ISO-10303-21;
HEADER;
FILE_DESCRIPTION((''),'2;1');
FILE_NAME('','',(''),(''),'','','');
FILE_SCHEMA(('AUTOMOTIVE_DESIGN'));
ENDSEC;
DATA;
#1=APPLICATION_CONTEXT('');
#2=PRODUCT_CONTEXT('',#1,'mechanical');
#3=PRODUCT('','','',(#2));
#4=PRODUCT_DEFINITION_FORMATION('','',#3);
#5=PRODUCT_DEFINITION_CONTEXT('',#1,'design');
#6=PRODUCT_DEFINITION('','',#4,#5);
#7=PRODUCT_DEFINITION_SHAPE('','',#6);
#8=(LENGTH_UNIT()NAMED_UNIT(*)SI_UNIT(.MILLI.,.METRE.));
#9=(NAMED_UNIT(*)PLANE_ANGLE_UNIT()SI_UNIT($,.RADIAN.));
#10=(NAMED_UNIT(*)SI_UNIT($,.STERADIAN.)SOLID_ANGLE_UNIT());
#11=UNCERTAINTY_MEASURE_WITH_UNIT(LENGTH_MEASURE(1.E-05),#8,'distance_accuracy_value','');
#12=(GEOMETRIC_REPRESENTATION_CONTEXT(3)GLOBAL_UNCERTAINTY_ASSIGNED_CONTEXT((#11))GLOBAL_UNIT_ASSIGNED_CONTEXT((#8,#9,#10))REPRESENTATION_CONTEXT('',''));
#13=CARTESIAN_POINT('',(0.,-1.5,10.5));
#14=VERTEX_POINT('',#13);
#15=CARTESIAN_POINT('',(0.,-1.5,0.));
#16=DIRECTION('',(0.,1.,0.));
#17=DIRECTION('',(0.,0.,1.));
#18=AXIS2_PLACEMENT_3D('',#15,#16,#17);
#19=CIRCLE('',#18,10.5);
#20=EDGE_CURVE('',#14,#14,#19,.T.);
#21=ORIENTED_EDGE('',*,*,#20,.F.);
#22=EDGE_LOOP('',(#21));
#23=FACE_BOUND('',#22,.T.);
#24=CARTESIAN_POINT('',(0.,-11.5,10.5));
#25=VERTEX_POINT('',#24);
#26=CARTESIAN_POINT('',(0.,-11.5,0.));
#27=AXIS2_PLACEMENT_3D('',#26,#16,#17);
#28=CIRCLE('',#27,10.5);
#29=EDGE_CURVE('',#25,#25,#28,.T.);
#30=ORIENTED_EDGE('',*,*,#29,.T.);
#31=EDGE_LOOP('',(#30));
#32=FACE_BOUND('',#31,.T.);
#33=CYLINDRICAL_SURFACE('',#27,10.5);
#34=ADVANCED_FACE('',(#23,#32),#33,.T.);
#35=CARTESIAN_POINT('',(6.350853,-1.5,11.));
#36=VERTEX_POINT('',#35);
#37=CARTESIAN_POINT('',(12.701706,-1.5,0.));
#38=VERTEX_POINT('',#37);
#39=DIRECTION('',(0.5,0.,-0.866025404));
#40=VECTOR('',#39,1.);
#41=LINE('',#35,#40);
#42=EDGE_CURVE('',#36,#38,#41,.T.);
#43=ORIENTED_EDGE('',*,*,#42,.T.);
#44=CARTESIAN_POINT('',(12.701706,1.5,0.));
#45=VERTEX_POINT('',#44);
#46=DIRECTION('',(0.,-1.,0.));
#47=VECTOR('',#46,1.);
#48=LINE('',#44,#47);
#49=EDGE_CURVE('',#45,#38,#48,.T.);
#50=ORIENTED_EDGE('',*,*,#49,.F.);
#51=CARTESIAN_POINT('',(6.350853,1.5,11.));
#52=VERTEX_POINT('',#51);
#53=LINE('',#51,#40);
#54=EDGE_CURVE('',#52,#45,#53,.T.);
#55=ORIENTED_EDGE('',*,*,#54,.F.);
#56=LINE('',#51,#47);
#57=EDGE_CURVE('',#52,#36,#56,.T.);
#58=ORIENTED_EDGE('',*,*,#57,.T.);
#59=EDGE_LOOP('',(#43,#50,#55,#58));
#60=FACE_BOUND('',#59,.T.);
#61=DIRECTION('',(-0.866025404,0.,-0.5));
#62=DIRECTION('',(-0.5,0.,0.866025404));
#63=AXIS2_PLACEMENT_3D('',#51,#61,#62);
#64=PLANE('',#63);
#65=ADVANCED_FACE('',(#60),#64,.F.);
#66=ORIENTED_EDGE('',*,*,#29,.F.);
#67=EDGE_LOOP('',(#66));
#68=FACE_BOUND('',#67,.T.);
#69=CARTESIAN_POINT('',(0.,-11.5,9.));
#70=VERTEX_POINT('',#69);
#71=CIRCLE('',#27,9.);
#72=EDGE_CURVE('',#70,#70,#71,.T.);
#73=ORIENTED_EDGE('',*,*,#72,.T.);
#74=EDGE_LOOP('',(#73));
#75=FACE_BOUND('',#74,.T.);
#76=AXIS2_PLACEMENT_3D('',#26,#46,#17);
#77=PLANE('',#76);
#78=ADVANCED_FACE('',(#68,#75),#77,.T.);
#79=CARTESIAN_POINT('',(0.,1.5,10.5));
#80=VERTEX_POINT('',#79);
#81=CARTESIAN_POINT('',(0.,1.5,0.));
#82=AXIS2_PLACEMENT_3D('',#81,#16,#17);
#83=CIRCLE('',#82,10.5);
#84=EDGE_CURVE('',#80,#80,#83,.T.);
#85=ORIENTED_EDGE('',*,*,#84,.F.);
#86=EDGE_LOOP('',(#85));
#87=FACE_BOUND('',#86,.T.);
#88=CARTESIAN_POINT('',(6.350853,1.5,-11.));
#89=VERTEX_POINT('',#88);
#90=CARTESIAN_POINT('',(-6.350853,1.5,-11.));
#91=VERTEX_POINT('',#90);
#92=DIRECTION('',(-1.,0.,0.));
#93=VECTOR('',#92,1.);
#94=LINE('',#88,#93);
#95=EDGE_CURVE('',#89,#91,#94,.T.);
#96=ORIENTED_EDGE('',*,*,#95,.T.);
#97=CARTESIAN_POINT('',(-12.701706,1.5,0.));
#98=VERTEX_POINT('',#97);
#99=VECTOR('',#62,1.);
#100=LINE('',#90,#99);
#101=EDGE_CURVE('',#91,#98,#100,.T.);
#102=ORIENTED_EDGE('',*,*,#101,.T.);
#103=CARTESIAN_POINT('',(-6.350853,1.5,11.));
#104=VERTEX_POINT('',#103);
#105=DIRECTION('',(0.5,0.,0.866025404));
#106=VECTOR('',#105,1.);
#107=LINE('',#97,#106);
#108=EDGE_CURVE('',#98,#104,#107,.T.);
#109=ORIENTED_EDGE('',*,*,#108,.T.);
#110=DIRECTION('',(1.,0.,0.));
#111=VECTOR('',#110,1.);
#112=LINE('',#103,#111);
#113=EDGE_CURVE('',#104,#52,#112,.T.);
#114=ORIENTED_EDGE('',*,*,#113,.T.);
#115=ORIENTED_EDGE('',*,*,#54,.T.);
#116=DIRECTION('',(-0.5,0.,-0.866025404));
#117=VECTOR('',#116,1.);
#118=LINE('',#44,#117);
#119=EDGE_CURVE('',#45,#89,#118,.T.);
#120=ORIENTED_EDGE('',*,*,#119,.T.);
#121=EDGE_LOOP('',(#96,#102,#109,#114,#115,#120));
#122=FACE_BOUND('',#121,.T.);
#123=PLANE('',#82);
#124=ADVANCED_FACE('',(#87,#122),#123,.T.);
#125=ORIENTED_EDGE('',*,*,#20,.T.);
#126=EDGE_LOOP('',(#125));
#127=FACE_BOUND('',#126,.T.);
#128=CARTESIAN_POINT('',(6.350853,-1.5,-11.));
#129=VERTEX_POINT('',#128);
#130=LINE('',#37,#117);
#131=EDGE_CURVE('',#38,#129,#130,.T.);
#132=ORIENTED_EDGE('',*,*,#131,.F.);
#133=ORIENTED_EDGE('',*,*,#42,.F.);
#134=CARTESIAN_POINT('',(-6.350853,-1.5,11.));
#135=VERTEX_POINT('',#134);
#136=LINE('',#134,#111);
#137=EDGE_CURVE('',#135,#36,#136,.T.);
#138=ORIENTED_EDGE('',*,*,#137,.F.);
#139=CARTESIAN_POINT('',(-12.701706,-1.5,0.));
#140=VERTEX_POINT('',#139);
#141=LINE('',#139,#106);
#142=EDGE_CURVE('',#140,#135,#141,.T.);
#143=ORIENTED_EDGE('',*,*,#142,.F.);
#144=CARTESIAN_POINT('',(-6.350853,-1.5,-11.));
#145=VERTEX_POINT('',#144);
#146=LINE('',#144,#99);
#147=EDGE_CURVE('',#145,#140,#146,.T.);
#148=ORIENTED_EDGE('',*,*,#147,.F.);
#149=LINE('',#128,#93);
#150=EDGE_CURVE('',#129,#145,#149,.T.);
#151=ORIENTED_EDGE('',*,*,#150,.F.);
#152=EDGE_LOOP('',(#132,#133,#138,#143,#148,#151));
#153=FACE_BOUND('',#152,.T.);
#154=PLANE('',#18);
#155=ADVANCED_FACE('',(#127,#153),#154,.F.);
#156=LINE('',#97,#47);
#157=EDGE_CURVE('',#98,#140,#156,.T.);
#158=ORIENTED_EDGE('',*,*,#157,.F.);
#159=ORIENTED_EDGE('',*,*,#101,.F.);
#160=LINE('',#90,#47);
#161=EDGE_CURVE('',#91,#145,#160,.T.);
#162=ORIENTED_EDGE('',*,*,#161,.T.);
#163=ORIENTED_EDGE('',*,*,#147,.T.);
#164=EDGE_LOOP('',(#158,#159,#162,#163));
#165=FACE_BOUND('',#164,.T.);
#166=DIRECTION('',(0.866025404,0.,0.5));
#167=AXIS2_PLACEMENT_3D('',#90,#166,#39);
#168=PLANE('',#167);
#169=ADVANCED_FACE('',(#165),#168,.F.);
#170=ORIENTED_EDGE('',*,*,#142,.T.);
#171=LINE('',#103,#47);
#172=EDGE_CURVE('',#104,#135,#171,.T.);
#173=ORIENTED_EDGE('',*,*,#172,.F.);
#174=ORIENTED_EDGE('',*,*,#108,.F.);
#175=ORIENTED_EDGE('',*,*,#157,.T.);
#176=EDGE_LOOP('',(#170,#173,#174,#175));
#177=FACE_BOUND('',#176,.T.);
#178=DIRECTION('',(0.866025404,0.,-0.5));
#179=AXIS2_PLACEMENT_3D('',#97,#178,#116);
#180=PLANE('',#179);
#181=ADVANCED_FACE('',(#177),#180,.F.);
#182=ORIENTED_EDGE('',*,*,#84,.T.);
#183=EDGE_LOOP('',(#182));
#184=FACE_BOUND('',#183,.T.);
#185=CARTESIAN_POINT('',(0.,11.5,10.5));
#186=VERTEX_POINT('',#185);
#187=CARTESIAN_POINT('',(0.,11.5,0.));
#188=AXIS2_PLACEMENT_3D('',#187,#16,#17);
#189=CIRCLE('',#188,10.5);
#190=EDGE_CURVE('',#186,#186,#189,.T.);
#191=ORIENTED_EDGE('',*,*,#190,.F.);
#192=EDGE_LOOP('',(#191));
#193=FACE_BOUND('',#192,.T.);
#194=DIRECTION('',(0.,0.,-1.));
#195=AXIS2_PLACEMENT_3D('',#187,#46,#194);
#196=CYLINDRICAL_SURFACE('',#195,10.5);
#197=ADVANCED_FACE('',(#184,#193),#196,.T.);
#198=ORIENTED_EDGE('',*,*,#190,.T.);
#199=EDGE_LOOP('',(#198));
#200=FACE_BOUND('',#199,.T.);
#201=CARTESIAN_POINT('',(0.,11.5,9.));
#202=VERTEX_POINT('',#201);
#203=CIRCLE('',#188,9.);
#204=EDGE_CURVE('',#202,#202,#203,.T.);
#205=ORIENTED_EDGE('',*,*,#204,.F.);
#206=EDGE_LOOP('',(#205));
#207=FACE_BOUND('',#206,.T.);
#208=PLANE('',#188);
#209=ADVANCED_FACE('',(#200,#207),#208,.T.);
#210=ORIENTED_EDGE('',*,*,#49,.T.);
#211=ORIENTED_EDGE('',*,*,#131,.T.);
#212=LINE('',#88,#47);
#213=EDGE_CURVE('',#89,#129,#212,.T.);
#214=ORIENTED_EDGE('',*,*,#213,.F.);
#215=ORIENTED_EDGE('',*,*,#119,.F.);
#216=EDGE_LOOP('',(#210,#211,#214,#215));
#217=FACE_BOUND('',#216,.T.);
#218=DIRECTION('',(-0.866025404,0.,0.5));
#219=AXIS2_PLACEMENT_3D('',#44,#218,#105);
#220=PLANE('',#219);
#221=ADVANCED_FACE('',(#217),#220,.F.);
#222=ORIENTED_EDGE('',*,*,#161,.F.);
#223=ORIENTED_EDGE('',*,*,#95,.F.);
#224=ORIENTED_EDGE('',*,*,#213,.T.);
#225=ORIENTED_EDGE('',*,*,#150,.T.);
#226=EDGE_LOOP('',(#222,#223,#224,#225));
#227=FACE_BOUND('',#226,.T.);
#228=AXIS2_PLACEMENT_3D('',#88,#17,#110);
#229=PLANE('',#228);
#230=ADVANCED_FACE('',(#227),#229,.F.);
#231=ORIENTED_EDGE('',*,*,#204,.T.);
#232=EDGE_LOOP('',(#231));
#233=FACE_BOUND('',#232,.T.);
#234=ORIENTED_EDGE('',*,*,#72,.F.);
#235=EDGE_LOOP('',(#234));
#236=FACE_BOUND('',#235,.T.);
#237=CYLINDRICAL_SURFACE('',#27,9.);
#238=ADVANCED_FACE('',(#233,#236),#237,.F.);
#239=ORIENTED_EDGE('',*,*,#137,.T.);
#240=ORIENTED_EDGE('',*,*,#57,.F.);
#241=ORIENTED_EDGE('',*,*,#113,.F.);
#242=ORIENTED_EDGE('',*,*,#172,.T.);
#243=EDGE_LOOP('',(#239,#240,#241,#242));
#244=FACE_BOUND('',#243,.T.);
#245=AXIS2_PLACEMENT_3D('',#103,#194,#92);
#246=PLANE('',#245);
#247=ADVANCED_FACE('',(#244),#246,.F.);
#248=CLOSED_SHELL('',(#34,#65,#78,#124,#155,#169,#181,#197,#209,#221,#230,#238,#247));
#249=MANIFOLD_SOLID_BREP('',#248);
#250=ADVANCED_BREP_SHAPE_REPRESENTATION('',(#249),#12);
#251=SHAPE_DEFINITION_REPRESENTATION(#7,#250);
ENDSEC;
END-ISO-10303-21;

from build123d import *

# Parameters (mm, degrees)
BOSS_EXTRUDE1_DEPTH = 1.5
SKETCH2_R           = 10.5
BOSS_EXTRUDE2_DEPTH = 10
SKETCH3_R           = 9
CUT_EXTRUDE1_DEPTH  = 24


with BuildPart() as part:
    # Sketch1 → Boss-Extrude1 (new body, symmetric)
    with BuildSketch(Plane(origin=(0, 0, 0), x_dir=(1, 0, 0), z_dir=(0, 1, 0))):
        Polygon((6.350852961, -11), (12.701705922, 0), (6.350852961, 11), (-6.350852961, 11), (-12.701705922, 0), (-6.350852961, -11), align=None)
    extrude(amount=BOSS_EXTRUDE1_DEPTH, both=True)

    # Sketch2 → Boss-Extrude2 (add)
    with BuildSketch(Plane(origin=(0, 1.5, 0), x_dir=(1, 0, 0), z_dir=(0, 1, 0))):
        Circle(SKETCH2_R)
    boss_extrude2 = extrude(amount=BOSS_EXTRUDE2_DEPTH)

    # Mirror1: Boss-Extrude2 across plane
    add(boss_extrude2.mirror(Plane.ZX))

    # Sketch3 → Cut-Extrude1 (cut, through all)
    with BuildSketch(Plane(origin=(0, 11.5, 0), x_dir=(1, 0, 0), z_dir=(0, 1, 0))):
        Circle(SKETCH3_R)
    extrude(amount=-CUT_EXTRUDE1_DEPTH, mode=Mode.SUBTRACT)


solid = part.part
